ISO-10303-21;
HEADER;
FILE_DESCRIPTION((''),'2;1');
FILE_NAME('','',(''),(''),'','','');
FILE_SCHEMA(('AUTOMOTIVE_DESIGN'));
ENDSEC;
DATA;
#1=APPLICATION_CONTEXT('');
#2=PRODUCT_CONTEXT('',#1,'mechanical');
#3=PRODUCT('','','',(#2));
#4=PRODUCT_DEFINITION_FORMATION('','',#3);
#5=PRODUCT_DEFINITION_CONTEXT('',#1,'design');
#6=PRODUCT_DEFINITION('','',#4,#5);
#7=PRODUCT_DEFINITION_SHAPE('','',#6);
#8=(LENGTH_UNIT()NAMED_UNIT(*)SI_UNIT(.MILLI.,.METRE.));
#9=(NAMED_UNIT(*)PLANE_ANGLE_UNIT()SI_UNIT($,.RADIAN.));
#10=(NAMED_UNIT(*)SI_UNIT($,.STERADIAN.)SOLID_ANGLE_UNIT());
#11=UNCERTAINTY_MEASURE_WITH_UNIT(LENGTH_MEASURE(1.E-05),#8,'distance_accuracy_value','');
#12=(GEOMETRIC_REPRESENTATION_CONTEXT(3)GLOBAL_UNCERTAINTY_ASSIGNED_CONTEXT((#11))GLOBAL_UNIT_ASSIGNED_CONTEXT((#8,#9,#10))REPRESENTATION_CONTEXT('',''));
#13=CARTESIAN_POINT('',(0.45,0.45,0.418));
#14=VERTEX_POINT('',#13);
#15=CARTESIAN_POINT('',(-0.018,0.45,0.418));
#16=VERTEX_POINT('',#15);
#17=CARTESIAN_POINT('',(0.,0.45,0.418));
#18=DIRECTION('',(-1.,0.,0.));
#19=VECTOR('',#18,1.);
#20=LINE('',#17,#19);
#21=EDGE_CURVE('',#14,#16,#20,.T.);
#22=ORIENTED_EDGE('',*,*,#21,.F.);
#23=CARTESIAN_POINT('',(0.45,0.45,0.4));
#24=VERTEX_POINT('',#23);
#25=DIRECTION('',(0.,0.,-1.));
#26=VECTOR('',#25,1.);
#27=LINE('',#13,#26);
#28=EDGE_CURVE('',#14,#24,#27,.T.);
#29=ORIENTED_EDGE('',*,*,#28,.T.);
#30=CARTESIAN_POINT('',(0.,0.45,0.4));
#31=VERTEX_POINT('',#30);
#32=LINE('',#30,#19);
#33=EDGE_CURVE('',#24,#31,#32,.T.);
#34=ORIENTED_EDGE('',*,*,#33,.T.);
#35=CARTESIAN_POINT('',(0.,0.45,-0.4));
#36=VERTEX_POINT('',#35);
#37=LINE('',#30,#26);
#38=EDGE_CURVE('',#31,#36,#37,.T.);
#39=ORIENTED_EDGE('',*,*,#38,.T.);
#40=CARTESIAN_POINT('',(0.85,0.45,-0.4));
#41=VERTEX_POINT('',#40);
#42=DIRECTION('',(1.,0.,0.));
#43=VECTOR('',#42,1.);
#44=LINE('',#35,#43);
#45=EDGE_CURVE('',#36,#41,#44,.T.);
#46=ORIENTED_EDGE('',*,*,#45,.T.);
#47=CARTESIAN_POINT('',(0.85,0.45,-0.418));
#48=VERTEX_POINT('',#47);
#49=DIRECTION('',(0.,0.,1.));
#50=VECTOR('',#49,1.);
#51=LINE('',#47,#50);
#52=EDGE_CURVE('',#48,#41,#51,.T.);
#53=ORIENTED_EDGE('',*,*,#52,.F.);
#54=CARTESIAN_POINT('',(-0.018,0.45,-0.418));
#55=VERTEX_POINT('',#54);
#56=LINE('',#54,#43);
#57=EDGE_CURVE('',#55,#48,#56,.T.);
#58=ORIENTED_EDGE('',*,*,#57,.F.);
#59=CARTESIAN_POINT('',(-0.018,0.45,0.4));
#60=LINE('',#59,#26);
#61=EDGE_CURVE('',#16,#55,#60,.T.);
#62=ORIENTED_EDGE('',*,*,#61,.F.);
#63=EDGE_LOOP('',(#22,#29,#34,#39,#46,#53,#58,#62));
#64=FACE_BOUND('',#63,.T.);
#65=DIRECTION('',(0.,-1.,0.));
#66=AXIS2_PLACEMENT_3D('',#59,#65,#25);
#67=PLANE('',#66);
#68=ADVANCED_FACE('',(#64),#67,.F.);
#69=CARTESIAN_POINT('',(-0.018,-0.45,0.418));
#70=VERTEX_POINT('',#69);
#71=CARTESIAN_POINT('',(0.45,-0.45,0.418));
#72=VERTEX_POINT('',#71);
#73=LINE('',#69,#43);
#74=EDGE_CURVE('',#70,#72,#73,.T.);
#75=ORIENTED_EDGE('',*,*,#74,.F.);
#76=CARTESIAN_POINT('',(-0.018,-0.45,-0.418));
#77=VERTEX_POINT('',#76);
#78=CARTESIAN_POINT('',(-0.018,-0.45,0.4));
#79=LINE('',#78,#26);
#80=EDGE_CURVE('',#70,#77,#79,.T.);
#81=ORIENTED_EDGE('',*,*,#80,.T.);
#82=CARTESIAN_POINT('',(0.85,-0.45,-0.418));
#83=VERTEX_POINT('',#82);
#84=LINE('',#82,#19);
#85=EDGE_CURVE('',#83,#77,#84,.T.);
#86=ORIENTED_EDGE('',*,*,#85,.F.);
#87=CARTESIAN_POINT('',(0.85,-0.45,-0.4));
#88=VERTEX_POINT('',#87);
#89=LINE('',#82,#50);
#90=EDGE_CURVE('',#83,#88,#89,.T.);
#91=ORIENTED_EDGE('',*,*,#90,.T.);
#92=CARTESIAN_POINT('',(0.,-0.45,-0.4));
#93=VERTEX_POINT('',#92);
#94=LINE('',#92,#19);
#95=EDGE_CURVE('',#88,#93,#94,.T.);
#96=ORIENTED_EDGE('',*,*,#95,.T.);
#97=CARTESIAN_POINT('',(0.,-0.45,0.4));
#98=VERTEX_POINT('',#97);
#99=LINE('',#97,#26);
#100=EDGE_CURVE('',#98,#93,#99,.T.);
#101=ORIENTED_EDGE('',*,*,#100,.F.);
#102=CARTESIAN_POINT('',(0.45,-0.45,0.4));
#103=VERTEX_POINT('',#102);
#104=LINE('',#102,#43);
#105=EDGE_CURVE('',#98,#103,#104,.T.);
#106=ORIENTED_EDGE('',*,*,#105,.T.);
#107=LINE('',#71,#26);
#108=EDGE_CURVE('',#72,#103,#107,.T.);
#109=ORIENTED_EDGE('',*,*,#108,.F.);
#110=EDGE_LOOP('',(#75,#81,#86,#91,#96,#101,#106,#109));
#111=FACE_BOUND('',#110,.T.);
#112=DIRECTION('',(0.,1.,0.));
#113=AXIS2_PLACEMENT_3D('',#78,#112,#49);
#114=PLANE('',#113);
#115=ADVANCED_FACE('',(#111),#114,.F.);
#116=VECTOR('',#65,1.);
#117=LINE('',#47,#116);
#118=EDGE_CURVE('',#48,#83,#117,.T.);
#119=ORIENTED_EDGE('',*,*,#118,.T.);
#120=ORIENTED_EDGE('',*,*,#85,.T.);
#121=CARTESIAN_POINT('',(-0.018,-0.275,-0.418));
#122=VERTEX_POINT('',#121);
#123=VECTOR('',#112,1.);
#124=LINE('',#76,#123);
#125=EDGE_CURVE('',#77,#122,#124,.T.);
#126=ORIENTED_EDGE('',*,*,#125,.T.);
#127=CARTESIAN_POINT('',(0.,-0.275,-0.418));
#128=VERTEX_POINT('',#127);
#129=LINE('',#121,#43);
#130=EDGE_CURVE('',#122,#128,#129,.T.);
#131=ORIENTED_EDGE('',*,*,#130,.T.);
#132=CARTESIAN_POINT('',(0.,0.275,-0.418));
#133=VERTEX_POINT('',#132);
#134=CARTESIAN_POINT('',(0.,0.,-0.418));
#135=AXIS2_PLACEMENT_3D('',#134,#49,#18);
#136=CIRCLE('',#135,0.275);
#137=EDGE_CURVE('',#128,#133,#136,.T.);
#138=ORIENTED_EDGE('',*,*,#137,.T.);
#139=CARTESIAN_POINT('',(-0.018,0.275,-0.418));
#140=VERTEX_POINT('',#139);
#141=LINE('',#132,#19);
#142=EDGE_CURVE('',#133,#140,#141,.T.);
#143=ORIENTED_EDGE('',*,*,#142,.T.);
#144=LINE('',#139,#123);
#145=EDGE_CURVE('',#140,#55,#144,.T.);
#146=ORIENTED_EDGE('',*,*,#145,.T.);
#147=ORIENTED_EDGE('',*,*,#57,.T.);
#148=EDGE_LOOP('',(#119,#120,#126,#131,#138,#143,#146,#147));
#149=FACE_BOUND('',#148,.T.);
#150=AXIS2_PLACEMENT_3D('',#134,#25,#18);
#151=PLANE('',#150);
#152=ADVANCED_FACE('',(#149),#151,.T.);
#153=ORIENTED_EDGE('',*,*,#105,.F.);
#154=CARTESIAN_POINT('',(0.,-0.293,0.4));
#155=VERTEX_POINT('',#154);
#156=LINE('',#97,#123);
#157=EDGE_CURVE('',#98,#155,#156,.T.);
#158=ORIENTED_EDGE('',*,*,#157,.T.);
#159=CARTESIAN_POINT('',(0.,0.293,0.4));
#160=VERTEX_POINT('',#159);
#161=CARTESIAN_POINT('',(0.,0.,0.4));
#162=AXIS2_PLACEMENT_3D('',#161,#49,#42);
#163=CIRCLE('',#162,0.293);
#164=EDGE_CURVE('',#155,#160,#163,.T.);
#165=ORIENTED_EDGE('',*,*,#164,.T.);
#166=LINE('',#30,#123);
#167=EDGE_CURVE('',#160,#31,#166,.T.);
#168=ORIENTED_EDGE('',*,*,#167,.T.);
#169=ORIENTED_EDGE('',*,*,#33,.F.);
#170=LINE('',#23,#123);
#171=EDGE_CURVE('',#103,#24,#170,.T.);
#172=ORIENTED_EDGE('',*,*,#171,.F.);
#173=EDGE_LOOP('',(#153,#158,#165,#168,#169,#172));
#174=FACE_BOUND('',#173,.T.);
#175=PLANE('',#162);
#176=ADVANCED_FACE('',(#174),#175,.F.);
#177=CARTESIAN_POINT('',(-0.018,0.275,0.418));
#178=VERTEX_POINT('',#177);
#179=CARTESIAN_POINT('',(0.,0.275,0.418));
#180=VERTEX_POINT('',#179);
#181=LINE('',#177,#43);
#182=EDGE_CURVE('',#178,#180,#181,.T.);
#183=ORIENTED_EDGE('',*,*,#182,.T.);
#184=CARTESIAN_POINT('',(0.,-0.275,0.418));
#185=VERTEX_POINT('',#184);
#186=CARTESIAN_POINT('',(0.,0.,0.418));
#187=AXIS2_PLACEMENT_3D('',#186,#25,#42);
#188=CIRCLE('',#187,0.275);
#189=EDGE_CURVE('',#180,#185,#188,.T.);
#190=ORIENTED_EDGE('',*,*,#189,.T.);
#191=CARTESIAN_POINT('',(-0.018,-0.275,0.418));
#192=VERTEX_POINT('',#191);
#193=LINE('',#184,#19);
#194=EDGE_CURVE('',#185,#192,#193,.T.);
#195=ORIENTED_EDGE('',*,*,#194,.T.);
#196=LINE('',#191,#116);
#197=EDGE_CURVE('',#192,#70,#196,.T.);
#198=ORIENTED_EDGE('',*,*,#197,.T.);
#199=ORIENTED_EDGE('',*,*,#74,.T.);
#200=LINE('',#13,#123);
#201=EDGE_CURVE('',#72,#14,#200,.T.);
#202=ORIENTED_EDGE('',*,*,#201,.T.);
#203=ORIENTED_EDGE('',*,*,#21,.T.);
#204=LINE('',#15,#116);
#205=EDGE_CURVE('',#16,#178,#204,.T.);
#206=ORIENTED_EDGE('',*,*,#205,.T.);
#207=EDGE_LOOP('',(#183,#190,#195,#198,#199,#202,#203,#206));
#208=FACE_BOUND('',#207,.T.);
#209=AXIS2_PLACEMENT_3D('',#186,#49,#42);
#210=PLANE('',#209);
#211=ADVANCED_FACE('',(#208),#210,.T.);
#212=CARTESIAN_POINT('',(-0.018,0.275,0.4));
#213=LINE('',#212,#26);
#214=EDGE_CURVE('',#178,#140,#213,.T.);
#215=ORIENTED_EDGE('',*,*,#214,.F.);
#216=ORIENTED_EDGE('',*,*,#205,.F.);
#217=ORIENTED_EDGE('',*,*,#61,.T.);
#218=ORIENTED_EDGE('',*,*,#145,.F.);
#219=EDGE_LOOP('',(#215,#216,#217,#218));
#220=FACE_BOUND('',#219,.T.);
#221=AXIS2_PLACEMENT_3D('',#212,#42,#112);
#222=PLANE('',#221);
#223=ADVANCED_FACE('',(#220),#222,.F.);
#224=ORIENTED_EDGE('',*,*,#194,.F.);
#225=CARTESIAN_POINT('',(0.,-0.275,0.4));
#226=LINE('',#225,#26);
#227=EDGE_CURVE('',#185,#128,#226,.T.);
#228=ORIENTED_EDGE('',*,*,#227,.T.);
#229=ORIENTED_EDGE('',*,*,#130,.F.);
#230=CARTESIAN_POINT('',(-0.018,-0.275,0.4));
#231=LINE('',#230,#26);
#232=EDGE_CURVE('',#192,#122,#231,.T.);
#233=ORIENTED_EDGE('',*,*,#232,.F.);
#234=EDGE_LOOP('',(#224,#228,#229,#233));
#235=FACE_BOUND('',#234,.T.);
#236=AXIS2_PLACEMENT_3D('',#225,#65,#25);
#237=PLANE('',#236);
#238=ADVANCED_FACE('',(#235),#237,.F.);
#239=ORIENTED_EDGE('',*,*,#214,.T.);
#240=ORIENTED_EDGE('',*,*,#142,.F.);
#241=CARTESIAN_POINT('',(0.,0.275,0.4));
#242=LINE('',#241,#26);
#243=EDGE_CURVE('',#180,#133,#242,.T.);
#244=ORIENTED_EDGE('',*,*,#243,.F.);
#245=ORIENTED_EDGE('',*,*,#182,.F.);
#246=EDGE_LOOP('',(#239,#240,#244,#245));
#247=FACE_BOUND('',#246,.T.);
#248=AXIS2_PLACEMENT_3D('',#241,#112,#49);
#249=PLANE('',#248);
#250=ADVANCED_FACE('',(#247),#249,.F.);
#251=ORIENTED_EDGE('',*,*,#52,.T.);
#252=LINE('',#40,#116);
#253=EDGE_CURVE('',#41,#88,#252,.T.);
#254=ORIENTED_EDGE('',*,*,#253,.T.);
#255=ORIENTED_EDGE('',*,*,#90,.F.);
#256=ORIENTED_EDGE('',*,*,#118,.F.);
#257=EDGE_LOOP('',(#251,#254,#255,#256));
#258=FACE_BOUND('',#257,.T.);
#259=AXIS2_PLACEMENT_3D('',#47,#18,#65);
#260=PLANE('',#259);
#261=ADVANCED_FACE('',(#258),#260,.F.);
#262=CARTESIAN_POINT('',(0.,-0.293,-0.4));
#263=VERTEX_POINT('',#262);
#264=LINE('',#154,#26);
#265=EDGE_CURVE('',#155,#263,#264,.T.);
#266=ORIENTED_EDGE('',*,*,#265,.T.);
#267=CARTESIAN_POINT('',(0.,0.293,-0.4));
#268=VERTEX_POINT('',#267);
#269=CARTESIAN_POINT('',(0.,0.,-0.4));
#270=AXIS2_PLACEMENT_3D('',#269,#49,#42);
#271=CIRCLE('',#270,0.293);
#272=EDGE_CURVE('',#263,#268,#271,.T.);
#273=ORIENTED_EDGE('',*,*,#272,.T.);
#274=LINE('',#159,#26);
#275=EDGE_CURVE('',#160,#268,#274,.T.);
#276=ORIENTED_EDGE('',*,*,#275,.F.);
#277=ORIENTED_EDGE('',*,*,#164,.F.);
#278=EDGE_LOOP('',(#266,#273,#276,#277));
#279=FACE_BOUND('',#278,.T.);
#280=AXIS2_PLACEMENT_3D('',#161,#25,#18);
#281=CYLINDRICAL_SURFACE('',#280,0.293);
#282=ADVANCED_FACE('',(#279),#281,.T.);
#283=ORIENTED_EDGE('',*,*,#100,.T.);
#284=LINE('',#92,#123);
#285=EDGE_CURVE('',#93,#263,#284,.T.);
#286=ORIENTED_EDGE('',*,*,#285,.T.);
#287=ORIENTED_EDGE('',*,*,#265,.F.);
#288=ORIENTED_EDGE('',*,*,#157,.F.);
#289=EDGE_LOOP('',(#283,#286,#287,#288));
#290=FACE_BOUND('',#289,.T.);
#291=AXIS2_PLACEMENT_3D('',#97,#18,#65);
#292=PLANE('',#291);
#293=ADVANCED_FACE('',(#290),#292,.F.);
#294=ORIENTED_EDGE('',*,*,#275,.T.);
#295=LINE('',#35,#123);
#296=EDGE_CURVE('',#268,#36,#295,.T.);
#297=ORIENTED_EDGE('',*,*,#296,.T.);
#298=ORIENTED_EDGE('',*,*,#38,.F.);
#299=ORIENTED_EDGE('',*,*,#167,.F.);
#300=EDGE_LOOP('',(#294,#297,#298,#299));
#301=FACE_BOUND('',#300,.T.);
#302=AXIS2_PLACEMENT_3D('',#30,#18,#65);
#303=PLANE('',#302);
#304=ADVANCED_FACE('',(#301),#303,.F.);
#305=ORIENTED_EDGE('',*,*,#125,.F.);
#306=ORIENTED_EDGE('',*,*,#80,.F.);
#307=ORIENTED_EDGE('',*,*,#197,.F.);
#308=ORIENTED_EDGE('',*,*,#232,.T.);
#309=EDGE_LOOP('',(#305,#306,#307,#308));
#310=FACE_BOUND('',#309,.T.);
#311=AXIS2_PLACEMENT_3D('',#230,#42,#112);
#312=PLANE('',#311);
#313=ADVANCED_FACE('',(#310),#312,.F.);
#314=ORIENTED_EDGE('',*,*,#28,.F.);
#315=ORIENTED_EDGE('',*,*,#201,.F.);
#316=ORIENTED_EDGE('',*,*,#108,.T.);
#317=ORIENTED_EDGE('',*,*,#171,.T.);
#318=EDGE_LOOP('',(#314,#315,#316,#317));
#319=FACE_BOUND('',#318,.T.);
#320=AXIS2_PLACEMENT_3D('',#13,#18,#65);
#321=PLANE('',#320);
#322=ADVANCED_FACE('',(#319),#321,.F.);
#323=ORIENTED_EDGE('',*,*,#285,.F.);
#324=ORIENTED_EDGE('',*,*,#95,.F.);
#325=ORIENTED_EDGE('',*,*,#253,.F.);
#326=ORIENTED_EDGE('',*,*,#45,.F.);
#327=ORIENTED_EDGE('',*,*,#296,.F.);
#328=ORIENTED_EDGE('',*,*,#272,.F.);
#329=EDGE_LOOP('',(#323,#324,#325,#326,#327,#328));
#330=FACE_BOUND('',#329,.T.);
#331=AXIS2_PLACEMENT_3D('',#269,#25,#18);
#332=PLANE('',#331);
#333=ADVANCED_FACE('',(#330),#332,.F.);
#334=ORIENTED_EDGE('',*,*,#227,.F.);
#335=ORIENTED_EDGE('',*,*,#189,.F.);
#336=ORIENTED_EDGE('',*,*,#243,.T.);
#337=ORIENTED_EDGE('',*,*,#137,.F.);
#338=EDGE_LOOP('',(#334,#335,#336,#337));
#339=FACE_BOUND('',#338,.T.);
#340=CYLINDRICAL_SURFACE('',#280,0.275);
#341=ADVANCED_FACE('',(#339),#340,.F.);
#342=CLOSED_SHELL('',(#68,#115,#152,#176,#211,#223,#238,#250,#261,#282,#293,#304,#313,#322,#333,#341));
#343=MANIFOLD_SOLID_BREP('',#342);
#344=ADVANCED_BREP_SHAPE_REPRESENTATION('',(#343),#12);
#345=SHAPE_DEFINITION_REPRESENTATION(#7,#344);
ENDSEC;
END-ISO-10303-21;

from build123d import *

# Parameters (mm, degrees)
P_IDAT_VYSUNUT_M1_DEPTH = 0.4
P_IDAT_START            = 0.018
P_IDAT_VYSUNUT_M2_DEPTH = 0.018
P_IDAT_VYSUNUT_M3_DEPTH = 0.018


with BuildPart() as part:
    # Skica1 → Přidat vysunutím1 (new, symmetric)
    with BuildSketch(Plane.XY):
        with BuildLine():
            Line((0, 0.275), (-0.018, 0.275))
            Line((-0.018, 0.275), (-0.018, 0.45))
            Line((-0.018, 0.45), (0, 0.45))
            Line((0, 0.45), (0, 0.293))
            ThreePointArc((0, 0.293), (0.293, 0), (0, -0.293))
            Line((0, -0.293), (0, -0.45))
            Line((0, -0.45), (-0.018, -0.45))
            Line((-0.018, -0.45), (-0.018, -0.275))
            Line((-0.018, -0.275), (0, -0.275))
            ThreePointArc((0, -0.275), (0.275, 0), (0, 0.275))
        make_face()
    extrude(amount=P_IDAT_VYSUNUT_M1_DEPTH, both=True)

    # Skica2 → Přidat vysunutím2 (add)
    with BuildSketch(Plane.XY.offset(0.4).offset(P_IDAT_START)):
        with BuildLine():
            Line((0, 0.45), (0.45, 0.45))
            Line((0.45, 0.45), (0.45, -0.45))
            Line((0.45, -0.45), (0, -0.45))
            Line((0, -0.45), (-0.018, -0.45))
            Line((-0.018, -0.45), (-0.018, -0.275))
            Line((-0.018, -0.275), (0, -0.275))
            ThreePointArc((0, -0.275), (0.275, 0), (0, 0.275))
            Line((0, 0.275), (-0.018, 0.275))
            Line((-0.018, 0.275), (-0.018, 0.45))
            Line((-0.018, 0.45), (0, 0.45))
        make_face()
    extrude(amount=-P_IDAT_VYSUNUT_M2_DEPTH)

    # Skica3 → Přidat vysunutím3 (add)
    with BuildSketch(Plane(origin=(0, 0, -0.4), x_dir=(-1, 0, 0), z_dir=(0, 0, -1))):
        with BuildLine():
            Line((0, 0.45), (-0.85, 0.45))
            Line((-0.85, 0.45), (-0.85, -0.45))
            Line((-0.85, -0.45), (0, -0.45))
            Line((0, -0.45), (0.018, -0.45))
            Line((0.018, -0.45), (0.018, -0.275))
            Line((0.018, -0.275), (0, -0.275))
            ThreePointArc((0, -0.275), (-0.275, 0), (0, 0.275))
            Line((0, 0.275), (0.018, 0.275))
            Line((0.018, 0.275), (0.018, 0.45))
            Line((0.018, 0.45), (0, 0.45))
        make_face()
    extrude(amount=P_IDAT_VYSUNUT_M3_DEPTH)


solid = part.part
